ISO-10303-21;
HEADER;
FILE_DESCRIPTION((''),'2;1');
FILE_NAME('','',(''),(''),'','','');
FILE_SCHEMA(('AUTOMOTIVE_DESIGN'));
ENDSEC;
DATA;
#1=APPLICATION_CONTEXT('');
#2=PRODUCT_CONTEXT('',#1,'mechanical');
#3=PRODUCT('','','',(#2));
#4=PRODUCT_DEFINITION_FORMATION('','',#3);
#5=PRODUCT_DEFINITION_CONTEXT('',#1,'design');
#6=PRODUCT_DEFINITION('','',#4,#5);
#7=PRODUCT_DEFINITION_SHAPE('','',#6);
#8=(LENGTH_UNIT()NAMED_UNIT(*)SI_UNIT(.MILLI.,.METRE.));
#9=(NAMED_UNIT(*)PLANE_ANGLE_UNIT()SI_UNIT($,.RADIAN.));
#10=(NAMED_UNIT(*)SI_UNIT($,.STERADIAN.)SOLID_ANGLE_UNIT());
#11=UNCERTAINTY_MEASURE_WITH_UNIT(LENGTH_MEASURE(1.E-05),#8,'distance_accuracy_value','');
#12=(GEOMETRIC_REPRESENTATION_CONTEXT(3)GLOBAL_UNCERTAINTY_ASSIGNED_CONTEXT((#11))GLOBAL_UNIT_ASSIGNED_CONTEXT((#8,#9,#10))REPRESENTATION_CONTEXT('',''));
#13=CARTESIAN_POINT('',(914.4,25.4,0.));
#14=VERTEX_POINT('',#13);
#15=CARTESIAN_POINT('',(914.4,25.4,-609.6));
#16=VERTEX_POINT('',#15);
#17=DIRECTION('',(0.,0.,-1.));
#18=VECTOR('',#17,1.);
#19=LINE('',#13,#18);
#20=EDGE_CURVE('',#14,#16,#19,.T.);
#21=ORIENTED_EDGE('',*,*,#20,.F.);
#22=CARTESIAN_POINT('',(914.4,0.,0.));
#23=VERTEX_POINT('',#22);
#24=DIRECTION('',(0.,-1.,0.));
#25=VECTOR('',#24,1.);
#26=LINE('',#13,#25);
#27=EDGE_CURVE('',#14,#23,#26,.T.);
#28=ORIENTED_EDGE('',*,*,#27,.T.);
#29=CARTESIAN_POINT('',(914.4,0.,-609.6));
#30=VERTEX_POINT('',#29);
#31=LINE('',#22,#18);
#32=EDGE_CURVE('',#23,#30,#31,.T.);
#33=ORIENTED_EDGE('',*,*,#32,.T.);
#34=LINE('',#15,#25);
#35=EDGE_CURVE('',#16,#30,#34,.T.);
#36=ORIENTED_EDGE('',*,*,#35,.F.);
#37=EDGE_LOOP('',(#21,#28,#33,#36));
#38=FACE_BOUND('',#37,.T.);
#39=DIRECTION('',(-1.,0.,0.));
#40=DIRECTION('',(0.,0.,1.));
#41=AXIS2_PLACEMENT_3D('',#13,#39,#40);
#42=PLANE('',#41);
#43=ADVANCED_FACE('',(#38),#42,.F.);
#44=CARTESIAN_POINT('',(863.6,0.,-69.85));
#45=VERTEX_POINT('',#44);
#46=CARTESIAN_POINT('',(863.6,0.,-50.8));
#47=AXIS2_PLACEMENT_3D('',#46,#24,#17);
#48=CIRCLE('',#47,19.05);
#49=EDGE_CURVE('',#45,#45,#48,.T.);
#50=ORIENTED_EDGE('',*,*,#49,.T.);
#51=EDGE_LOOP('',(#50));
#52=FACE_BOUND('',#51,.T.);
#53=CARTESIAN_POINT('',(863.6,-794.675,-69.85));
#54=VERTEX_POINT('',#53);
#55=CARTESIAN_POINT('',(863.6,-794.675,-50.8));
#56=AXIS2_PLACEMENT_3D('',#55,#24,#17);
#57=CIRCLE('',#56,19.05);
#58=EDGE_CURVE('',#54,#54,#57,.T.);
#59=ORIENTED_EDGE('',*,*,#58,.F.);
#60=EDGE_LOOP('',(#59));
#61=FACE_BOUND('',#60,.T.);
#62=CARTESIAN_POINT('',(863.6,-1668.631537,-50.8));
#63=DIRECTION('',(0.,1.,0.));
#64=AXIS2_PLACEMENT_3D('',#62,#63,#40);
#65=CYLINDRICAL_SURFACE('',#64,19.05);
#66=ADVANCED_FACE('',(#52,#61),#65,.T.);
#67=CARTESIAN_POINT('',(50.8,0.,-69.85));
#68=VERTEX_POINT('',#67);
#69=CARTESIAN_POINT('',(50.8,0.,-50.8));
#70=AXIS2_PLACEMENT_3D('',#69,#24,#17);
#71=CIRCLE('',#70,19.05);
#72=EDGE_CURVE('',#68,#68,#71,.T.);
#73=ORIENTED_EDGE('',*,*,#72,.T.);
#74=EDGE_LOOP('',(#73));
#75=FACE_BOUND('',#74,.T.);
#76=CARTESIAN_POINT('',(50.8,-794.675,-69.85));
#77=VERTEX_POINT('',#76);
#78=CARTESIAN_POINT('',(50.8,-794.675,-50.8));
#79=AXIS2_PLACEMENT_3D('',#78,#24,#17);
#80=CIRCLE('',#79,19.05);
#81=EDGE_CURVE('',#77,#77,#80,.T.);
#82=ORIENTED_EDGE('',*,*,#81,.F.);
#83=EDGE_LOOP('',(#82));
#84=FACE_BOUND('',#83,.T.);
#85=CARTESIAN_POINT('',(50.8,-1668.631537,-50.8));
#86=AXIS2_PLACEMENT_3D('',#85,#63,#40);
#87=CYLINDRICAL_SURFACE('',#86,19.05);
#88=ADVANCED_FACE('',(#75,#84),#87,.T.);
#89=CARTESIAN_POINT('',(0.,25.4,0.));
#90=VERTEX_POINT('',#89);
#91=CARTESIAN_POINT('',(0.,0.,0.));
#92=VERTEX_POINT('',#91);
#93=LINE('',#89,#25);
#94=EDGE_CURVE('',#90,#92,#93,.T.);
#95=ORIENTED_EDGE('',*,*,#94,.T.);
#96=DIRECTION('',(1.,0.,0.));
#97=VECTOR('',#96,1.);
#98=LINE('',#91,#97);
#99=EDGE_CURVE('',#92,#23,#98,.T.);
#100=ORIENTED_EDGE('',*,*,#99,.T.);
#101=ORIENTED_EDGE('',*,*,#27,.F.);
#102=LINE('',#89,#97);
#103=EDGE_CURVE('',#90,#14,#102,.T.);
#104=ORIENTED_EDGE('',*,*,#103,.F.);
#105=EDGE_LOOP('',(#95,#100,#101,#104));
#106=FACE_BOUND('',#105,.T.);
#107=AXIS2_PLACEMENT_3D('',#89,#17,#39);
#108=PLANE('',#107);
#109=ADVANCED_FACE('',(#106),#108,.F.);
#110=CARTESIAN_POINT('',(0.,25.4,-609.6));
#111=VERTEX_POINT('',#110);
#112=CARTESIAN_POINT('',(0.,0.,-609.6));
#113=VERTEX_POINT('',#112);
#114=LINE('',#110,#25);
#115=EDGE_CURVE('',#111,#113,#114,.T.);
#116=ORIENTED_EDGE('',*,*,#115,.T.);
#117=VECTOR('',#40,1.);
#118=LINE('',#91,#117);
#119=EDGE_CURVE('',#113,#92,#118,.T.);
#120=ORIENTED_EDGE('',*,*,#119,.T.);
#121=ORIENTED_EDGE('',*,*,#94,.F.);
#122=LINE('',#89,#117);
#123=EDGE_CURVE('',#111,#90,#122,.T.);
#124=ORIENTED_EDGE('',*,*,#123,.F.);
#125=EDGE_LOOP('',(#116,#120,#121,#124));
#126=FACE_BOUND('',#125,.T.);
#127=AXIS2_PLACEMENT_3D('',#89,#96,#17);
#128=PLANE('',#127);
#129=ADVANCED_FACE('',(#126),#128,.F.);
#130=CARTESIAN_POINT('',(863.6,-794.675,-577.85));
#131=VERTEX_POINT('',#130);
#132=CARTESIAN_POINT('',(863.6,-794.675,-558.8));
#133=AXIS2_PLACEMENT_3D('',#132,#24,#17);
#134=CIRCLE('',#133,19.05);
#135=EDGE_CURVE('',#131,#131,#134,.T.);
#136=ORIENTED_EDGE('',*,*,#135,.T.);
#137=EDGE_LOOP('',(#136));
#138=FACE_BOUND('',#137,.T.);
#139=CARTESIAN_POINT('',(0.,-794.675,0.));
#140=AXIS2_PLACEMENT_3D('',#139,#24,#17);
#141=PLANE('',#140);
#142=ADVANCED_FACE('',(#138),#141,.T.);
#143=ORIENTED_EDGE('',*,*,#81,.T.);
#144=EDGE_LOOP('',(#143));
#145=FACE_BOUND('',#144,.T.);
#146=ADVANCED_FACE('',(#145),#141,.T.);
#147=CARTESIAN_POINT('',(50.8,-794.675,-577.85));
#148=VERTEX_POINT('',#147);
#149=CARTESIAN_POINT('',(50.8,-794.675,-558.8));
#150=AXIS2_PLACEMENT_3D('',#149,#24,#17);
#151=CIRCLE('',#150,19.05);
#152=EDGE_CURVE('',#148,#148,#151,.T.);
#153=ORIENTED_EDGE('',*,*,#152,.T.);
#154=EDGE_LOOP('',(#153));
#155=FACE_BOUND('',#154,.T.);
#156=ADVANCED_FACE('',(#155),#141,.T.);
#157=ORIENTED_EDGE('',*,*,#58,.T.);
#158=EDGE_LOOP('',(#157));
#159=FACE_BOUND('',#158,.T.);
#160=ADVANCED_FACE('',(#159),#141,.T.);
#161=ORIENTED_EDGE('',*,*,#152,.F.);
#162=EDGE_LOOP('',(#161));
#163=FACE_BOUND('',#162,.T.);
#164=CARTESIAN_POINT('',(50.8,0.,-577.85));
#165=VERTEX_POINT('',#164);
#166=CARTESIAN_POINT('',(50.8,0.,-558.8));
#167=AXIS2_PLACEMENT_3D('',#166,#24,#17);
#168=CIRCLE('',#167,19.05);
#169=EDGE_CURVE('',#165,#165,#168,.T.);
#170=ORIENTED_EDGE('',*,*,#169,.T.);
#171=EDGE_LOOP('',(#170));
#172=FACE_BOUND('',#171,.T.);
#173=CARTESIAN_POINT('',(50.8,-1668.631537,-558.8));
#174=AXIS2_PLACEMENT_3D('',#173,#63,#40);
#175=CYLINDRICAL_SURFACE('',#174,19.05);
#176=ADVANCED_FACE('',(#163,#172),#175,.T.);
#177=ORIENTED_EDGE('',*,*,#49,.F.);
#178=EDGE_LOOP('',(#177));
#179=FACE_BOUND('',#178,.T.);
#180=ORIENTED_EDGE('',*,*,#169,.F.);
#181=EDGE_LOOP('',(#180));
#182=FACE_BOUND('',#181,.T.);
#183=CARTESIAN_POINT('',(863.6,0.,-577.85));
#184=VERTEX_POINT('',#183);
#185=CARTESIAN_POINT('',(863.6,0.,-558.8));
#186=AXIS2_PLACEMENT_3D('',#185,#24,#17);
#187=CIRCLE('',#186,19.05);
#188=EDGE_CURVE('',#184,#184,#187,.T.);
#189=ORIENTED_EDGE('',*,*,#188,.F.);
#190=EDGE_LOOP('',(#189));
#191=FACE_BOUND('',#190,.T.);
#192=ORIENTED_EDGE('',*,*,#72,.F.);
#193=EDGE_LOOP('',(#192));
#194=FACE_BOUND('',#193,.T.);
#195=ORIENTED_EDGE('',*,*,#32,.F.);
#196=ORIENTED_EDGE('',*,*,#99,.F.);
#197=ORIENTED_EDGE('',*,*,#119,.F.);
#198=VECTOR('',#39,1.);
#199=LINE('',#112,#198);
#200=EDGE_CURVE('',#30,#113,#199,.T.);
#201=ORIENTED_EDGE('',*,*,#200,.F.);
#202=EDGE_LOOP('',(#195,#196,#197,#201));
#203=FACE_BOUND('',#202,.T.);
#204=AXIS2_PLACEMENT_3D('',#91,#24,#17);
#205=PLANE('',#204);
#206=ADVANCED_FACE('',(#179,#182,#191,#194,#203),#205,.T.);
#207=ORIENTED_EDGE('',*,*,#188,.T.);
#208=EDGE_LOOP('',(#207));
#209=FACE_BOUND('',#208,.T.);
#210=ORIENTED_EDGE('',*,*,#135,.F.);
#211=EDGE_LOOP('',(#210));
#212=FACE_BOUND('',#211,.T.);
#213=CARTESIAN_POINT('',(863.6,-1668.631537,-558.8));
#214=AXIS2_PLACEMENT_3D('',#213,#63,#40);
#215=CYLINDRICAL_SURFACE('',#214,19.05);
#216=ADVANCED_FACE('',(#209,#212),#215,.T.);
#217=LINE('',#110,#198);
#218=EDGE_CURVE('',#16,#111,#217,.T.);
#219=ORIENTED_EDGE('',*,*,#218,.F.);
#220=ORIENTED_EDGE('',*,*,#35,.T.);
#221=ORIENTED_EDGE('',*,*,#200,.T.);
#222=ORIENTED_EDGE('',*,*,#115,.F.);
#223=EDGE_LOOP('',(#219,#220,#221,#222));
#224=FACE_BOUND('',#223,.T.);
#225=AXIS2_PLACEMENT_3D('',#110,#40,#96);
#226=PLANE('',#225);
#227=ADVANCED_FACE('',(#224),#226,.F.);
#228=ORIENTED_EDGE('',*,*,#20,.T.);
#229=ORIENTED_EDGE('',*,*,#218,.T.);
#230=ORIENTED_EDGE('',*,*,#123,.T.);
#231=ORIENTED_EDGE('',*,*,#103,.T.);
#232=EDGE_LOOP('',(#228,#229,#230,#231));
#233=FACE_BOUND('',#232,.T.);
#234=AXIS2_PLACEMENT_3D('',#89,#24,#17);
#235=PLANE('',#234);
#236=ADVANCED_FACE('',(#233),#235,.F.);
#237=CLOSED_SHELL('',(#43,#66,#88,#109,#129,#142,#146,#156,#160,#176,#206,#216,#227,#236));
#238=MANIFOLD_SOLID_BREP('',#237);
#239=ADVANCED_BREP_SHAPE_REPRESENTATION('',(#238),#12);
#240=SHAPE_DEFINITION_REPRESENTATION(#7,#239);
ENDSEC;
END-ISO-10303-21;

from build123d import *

# Parameters (mm, degrees)
SKETCH3_W   = 914.4
SKETCH3_H   = 609.6
TABLE_DEPTH = 25.4
SKETCH4_R   = 19.05
LEGS_DEPTH  = 794.675


with BuildPart() as part:
    # Sketch3 → Table (new body)
    with BuildSketch(Plane(origin=(0, 0, 0), x_dir=(1, 0, 0), z_dir=(0, 1, 0))):
        with Locations((457.2, 304.8)):
            Rectangle(SKETCH3_W, SKETCH3_H)
    extrude(amount=TABLE_DEPTH)

    # Sketch4 → Legs (add)
    with BuildSketch(Plane.XZ):
        with Locations((50.8, -50.8)):
            Circle(SKETCH4_R)
        with Locations((863.6, -50.8)):
            Circle(SKETCH4_R)
        with Locations((50.8, -558.8)):
            Circle(SKETCH4_R)
        with Locations((863.6, -558.8)):
            Circle(SKETCH4_R)
    extrude(amount=LEGS_DEPTH)


solid = part.part
